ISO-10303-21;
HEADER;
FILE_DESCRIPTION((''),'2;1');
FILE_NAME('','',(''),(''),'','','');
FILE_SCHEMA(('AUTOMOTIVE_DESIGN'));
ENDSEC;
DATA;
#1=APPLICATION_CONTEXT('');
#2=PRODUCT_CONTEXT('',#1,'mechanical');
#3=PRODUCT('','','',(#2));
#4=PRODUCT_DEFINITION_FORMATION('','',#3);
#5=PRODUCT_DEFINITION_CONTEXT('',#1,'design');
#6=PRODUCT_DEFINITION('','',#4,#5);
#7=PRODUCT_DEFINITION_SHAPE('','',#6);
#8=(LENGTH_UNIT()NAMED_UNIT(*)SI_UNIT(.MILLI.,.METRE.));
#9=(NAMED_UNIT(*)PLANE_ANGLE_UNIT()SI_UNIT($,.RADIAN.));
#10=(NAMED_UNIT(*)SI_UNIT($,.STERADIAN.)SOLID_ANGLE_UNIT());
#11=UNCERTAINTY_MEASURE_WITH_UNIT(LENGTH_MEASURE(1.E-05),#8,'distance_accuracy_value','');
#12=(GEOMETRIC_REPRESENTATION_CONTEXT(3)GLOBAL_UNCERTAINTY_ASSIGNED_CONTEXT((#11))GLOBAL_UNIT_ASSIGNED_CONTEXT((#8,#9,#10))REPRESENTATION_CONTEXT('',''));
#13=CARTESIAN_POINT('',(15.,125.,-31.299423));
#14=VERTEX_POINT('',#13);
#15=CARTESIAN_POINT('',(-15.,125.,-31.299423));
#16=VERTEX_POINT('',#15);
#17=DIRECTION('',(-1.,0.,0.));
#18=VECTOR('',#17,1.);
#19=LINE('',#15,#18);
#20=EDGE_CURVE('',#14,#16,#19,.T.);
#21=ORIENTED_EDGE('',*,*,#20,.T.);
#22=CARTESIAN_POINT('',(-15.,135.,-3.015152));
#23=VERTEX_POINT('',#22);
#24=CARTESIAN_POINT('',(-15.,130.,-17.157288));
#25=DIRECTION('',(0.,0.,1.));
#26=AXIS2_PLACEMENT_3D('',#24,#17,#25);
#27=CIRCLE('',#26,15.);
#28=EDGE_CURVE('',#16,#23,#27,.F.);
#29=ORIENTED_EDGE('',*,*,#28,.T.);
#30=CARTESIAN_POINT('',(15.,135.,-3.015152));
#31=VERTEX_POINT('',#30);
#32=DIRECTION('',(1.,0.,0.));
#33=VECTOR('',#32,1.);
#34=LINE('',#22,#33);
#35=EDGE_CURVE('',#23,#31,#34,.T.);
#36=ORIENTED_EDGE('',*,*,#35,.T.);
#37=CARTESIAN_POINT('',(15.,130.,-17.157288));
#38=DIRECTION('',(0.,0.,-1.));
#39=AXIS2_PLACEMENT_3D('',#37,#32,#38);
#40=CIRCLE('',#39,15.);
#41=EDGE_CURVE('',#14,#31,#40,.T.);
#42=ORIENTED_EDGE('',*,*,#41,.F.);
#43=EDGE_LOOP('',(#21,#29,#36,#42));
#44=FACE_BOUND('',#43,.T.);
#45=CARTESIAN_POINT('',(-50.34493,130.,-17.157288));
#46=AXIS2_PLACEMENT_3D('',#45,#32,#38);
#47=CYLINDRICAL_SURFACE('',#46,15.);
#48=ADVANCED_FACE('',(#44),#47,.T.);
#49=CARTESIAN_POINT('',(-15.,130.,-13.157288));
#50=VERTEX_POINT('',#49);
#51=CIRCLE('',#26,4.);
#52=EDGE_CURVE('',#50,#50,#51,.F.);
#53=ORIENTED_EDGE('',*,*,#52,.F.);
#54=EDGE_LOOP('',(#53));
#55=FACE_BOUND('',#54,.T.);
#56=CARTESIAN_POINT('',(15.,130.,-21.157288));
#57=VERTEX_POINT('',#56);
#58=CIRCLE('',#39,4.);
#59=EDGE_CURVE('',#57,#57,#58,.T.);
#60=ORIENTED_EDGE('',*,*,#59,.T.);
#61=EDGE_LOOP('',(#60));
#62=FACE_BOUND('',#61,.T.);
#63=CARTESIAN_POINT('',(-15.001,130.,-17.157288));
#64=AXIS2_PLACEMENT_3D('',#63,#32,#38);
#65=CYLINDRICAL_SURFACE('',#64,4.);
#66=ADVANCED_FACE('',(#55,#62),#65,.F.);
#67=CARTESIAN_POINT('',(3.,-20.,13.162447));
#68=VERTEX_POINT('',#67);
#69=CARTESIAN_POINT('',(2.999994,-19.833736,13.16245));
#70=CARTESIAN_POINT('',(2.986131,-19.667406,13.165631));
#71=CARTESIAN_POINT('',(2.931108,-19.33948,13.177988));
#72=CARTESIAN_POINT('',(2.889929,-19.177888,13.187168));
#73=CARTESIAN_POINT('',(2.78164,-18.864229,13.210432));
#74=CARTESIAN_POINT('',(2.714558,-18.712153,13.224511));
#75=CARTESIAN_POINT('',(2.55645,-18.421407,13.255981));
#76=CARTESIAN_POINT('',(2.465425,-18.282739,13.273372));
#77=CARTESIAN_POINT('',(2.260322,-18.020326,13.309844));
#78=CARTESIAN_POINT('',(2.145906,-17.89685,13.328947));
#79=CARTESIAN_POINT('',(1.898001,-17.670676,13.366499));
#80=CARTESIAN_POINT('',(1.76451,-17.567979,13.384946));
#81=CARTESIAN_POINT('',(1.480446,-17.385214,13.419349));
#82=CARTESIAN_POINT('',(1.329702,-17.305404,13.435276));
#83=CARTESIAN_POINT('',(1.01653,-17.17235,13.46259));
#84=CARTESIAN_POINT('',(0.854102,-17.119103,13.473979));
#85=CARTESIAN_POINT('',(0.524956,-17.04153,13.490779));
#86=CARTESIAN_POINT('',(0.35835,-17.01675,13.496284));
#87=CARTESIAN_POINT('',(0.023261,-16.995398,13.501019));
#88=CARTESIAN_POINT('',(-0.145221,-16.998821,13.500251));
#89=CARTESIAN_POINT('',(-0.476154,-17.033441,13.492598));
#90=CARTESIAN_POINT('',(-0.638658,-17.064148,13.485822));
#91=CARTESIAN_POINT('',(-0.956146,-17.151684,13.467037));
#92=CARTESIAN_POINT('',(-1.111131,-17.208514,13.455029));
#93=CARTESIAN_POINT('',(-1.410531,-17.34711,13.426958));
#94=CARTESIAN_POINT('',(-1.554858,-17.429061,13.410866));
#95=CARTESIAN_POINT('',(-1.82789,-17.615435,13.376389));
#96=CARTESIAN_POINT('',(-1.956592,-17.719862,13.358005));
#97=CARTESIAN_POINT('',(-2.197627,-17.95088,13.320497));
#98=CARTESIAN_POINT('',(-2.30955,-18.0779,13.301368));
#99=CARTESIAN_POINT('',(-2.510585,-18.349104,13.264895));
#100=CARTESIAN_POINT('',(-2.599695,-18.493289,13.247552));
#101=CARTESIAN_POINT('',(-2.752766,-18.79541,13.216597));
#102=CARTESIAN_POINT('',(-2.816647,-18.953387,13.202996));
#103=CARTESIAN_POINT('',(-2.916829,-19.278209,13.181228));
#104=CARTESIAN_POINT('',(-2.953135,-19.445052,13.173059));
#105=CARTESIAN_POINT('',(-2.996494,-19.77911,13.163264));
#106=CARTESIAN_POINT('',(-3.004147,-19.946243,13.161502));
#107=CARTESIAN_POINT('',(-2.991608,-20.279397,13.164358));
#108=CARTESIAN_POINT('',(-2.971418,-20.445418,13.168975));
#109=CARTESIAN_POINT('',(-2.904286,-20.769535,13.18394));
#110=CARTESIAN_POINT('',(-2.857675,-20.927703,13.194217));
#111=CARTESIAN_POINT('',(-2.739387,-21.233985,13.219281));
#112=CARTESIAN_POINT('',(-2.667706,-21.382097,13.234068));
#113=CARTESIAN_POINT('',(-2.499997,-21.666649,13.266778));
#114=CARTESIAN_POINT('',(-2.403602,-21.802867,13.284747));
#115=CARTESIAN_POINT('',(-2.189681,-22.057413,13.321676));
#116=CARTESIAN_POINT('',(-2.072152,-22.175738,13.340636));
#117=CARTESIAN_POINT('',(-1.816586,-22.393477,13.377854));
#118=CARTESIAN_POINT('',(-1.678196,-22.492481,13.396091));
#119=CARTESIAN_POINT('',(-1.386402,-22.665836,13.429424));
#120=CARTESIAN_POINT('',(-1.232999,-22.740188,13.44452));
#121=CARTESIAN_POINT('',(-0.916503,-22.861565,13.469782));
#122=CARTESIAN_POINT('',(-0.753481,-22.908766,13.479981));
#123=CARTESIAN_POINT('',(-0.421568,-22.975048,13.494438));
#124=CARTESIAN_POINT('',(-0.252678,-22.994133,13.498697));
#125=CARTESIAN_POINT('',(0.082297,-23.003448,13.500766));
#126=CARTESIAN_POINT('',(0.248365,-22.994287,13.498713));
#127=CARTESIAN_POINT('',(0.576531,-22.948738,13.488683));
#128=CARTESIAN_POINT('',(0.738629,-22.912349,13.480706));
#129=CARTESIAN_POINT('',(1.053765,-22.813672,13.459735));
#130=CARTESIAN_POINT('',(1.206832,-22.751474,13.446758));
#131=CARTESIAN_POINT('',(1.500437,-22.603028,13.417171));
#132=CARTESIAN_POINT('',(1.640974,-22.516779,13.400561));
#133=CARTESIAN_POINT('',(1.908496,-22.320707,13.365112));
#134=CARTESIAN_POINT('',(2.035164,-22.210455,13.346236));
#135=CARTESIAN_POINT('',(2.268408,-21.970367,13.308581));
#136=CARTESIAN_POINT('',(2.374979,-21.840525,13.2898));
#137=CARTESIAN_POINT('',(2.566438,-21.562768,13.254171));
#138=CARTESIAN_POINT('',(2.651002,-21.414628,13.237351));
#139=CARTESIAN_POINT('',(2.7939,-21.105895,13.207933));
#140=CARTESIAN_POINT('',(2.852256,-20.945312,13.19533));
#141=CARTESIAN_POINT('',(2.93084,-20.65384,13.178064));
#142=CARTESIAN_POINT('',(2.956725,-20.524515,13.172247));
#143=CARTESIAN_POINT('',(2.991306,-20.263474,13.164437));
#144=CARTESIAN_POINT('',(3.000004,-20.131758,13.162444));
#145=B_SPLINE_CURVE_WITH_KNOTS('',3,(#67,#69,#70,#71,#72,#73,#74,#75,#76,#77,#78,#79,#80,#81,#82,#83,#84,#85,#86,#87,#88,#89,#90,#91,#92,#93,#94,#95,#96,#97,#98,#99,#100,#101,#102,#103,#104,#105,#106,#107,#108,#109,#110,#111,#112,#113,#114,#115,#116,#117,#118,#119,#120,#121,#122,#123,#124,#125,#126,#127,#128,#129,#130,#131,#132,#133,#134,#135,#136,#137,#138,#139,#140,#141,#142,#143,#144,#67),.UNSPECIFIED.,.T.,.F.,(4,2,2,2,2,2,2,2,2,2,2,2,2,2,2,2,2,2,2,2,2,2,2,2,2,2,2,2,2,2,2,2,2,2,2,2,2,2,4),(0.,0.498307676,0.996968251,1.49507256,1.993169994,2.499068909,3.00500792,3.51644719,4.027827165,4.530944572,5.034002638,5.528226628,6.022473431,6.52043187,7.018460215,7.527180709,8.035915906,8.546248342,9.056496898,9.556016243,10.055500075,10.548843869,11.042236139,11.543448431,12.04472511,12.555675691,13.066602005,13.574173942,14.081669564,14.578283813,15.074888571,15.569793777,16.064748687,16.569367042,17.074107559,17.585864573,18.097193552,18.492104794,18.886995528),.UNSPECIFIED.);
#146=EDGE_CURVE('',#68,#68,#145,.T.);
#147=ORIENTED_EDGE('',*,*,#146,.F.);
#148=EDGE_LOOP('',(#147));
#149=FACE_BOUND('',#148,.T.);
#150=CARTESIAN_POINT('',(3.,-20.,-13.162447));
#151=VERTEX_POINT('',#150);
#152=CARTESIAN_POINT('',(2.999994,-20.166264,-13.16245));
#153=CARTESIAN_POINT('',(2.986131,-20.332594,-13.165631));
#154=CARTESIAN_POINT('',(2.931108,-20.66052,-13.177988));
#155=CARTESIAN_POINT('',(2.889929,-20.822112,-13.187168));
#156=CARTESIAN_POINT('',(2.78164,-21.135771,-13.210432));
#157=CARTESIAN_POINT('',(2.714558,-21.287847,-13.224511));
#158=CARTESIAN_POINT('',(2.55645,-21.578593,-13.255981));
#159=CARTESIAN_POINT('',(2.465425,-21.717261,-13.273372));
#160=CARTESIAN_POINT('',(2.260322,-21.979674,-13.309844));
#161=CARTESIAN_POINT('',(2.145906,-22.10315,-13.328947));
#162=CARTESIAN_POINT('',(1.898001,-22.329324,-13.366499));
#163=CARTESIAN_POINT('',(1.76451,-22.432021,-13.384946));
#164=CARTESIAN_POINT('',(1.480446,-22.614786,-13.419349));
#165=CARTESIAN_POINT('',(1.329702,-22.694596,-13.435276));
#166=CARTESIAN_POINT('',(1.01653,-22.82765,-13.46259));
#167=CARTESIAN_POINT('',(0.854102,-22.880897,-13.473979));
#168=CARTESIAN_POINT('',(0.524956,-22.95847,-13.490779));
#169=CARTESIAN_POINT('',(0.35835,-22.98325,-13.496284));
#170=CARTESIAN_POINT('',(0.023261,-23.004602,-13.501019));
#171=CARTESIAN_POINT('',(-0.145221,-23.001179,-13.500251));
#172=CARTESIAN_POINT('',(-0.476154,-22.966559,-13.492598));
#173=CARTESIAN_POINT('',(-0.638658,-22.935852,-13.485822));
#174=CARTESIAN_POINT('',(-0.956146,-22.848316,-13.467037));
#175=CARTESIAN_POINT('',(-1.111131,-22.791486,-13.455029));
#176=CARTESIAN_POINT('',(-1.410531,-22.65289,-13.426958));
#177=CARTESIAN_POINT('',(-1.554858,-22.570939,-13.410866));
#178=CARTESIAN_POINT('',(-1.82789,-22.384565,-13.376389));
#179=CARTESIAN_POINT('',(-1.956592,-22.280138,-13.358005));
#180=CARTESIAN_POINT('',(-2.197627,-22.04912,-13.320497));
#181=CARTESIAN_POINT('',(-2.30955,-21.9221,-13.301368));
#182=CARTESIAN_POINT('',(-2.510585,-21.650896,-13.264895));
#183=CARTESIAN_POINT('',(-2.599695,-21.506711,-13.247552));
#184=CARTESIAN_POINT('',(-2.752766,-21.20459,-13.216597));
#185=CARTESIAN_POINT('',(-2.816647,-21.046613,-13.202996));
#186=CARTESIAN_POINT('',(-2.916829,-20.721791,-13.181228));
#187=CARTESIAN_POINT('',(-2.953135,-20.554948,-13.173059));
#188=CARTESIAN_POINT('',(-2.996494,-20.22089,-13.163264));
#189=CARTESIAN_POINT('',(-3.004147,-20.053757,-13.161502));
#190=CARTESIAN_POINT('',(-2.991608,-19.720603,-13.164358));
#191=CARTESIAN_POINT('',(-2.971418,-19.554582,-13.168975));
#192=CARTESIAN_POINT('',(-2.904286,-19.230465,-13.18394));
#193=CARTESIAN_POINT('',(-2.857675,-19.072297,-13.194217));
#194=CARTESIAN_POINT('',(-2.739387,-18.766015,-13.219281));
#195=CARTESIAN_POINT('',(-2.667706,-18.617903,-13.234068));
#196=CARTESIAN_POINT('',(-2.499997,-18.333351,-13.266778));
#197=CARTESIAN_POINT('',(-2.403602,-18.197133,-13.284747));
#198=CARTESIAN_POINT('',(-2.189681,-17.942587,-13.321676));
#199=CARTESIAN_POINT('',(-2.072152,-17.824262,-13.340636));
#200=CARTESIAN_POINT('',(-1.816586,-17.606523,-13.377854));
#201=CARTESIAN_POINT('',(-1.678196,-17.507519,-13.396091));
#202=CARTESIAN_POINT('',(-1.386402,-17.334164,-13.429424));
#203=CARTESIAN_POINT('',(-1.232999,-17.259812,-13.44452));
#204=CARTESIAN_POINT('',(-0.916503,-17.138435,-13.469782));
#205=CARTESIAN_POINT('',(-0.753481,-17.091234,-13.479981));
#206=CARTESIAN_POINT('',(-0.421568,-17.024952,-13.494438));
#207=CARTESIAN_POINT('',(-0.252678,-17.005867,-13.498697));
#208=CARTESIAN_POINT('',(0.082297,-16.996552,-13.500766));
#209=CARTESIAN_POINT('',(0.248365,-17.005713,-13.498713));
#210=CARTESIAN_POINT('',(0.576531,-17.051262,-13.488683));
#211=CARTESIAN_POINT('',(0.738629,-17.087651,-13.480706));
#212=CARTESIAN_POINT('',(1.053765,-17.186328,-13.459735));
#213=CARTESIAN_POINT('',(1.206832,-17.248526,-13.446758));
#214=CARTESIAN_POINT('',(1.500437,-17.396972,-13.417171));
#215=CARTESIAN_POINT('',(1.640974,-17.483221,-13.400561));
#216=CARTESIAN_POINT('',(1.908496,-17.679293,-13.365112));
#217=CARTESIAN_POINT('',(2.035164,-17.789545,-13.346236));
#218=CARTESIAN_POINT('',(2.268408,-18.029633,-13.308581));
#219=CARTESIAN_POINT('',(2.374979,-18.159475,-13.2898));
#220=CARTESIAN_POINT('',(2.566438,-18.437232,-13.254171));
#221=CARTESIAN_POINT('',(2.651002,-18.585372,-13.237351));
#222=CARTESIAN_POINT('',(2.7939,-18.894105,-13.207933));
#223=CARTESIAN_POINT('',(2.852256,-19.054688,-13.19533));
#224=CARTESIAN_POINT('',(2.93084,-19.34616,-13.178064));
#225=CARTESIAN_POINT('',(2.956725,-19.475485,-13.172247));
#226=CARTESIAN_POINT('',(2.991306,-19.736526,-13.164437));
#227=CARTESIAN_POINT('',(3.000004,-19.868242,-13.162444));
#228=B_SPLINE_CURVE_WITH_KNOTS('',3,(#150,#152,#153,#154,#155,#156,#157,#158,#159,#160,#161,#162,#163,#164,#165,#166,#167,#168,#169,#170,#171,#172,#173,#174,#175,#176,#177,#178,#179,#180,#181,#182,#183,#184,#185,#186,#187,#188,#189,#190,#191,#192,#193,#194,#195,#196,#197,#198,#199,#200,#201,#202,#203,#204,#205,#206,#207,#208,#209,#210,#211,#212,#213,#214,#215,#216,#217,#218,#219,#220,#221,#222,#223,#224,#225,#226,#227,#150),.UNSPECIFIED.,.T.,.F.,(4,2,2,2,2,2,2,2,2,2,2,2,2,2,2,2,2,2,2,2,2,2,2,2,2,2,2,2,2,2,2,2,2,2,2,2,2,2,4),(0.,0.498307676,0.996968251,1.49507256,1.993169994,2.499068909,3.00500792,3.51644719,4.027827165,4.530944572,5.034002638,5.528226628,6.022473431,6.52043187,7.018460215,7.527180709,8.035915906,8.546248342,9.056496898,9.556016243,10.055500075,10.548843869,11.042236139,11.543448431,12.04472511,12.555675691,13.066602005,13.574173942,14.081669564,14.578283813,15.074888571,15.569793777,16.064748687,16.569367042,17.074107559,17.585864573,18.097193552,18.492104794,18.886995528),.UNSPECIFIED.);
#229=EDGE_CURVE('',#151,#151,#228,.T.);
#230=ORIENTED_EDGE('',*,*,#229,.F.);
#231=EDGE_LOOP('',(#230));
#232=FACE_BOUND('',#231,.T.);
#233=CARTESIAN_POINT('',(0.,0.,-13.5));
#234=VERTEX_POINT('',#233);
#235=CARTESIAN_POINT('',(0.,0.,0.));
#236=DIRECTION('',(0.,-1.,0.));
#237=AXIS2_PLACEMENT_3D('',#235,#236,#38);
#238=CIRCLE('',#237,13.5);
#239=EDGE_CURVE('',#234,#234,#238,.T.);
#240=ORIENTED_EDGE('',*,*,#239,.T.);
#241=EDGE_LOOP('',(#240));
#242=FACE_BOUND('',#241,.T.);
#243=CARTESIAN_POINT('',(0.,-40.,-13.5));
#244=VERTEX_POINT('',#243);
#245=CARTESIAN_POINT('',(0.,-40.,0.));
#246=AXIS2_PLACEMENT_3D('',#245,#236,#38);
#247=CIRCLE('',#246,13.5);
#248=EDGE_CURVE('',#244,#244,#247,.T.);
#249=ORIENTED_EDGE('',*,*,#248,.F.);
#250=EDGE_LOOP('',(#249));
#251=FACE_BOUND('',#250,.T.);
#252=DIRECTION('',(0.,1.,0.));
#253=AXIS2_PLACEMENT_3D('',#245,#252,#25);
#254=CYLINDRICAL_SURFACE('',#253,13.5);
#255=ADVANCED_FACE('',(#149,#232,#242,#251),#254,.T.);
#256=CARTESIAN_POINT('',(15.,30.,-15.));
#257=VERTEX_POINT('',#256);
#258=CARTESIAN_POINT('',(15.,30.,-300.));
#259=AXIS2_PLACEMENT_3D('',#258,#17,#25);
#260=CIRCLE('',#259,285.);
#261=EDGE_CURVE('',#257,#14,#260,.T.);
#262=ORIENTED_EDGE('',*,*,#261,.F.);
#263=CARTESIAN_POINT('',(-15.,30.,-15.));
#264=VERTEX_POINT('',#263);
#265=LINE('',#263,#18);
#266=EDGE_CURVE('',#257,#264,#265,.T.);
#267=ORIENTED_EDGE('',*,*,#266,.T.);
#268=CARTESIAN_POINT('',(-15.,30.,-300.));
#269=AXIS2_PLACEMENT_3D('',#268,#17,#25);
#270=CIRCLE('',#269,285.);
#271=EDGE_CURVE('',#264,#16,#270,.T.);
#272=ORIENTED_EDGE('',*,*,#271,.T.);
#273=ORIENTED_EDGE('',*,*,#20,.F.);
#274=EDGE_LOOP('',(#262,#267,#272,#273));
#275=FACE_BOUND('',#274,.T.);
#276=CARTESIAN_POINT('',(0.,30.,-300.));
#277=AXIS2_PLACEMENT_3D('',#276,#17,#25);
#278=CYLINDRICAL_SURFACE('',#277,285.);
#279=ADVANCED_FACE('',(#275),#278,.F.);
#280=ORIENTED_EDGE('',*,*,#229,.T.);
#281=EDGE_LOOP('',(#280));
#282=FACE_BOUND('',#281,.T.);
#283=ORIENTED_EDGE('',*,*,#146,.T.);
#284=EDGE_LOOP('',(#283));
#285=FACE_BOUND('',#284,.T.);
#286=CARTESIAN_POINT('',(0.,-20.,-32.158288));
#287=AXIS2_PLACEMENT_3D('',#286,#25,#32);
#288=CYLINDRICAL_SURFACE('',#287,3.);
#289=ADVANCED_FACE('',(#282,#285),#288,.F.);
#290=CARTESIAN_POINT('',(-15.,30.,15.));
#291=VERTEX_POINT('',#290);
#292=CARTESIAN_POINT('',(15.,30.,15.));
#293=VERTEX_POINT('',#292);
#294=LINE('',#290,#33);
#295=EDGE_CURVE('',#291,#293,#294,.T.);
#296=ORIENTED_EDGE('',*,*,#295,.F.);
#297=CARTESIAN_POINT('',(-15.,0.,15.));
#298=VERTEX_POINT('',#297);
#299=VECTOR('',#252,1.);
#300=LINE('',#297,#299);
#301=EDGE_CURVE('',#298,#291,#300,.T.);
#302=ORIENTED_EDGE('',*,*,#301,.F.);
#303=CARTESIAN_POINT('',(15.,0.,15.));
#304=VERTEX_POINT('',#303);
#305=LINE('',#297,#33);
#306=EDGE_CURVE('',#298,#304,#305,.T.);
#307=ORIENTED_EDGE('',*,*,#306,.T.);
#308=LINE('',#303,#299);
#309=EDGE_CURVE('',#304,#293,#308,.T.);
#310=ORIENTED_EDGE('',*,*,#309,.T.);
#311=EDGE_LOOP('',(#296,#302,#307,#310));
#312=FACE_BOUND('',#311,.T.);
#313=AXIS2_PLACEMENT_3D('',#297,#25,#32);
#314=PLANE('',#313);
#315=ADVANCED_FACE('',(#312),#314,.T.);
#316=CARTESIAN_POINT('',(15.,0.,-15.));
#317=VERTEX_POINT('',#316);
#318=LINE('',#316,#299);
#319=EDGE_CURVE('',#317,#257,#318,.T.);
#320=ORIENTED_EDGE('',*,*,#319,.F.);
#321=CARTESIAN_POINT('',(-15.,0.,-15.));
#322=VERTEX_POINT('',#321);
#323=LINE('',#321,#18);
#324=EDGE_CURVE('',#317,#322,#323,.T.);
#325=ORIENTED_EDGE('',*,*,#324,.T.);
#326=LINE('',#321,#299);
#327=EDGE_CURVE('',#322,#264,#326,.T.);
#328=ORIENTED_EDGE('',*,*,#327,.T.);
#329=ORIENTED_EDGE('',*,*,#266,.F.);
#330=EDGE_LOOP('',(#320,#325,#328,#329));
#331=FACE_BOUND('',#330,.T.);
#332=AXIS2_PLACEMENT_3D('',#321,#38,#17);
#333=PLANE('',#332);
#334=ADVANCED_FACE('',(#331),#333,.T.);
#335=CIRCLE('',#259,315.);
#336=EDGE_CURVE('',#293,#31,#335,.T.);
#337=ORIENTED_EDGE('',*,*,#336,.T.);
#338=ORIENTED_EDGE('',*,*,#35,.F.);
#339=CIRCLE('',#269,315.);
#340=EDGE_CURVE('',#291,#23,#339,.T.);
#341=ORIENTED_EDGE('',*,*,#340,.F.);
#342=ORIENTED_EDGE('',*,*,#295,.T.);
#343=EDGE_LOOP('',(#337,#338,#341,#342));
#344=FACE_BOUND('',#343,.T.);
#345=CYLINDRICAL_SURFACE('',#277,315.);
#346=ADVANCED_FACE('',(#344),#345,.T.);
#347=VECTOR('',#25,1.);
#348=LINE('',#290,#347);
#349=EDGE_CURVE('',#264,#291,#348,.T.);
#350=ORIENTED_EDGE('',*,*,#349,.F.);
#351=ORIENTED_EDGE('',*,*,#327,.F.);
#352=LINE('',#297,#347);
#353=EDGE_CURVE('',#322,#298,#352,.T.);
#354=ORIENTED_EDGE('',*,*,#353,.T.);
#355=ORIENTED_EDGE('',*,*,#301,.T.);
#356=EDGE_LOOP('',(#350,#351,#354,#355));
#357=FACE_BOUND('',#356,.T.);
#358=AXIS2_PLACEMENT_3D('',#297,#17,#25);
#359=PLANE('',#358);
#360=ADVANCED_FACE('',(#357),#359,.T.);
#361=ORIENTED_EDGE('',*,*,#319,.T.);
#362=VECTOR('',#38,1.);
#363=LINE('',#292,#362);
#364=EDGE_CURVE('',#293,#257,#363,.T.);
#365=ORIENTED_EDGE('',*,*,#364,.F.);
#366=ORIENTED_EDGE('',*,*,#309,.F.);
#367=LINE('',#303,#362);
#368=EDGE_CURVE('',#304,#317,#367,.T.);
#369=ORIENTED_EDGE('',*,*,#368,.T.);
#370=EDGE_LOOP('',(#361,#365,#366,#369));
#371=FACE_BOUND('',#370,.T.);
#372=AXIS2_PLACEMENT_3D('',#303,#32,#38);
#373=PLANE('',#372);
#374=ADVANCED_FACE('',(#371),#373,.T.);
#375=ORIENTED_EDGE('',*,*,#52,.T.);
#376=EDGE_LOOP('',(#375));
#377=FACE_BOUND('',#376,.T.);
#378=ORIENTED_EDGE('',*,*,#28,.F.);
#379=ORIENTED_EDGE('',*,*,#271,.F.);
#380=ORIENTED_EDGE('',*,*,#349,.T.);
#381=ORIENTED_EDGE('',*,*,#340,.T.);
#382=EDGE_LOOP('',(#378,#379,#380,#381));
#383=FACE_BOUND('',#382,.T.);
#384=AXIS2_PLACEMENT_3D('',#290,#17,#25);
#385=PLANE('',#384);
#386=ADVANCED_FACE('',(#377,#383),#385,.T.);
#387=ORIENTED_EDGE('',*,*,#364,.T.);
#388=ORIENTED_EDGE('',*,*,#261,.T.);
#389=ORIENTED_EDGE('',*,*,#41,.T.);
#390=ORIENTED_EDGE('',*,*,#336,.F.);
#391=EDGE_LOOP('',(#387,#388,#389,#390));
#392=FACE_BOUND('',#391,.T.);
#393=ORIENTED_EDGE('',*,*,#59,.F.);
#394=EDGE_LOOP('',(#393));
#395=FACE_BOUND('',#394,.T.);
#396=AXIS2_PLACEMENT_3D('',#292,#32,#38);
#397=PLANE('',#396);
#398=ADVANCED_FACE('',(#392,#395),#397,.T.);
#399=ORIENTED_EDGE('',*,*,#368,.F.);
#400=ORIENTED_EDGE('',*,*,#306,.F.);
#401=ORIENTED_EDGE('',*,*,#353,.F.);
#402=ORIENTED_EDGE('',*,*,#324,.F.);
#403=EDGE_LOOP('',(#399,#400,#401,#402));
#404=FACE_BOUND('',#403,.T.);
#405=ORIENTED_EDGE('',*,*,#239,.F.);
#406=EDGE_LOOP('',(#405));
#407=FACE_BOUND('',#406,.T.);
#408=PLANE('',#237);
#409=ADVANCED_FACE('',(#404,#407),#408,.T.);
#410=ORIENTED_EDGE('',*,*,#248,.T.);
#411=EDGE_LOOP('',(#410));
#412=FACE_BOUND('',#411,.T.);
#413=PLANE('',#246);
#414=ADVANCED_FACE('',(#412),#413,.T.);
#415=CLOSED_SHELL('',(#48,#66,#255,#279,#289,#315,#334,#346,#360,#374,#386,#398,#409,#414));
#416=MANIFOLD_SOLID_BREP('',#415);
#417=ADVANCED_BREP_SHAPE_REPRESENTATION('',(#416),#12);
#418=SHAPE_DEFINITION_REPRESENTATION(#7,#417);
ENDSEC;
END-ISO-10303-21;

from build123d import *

# Parameters (mm, degrees)
SKETCH2_W           = 30
SKETCH2_H           = 30
SKETCH3_R           = 13.5
BOSS_EXTRUDE1_DEPTH = 40
BOSS_EXTRUDE2_DEPTH = 30
CUT_EXTRUDE1_REACH  = 153.523
SKETCH5_R           = 4
CUT_EXTRUDE2_REACH  = 155.212
SKETCH6_R           = 3


with BuildPart() as part:
    # Sweep1: sweep along a path in Sketch1
    with BuildLine(Plane(origin=(0, 0, 0), x_dir=(0, 0, -1), z_dir=(1, 0, 0))) as sweep1_path:
        Line((0, 0), (0, 30))
        ThreePointArc((0, 30), (4.320432104, 80.730593618), (17.157287525, 130))
    # Sketch2 → Sweep1 (sweep)
    with BuildSketch(Plane(origin=(0, 0, 0), x_dir=(1, 0, 0), z_dir=(0, 1, 0))):
        Rectangle(SKETCH2_W, SKETCH2_H)
    sweep(path=sweep1_path.line)

    # Sketch3 → Boss-Extrude1 (add)
    with BuildSketch(Plane.XZ):
        with Locations(Location((0, 0, 0), (0, 0, 270))):
            Circle(SKETCH3_R)
    extrude(amount=BOSS_EXTRUDE1_DEPTH)

    # Sketch4 → Boss-Extrude2 (add)
    with BuildSketch(Plane(origin=(15, 0, 0), x_dir=(0, 0, -1), z_dir=(1, 0, 0))):
        with BuildLine():
            Line((3.015151902, 135), (31.299423149, 125))
            ThreePointArc((31.299423149, 125), (22.157287525, 144.142135624), (3.015151902, 135))
        make_face()
    extrude(amount=-BOSS_EXTRUDE2_DEPTH)

    # Sketch5 → Cut-Extrude1 (cut, up to next)
    with BuildSketch(Plane(origin=(15, 0, 0), x_dir=(0, 0, -1), z_dir=(1, 0, 0)), mode=Mode.PRIVATE) as cut_extrude1_sk1:
        with Locations((17.157287525, 130)):
            Circle(SKETCH5_R)
    cut_extrude1_tool1 = extrude(cut_extrude1_sk1.sketch, amount=-CUT_EXTRUDE1_REACH, mode=Mode.PRIVATE) & part.part
    add(cut_extrude1_tool1.solids().sort_by_distance((15, 130, -17.157288))[0], mode=Mode.SUBTRACT)

    # Sketch6 → Cut-Extrude2 (cut, up to next)
    with BuildSketch(Plane.XY.offset(15), mode=Mode.PRIVATE) as cut_extrude2_sk1:
        with Locations((0, -20)):
            Circle(SKETCH6_R)
    cut_extrude2_tool1 = extrude(cut_extrude2_sk1.sketch, amount=-CUT_EXTRUDE2_REACH, mode=Mode.PRIVATE) & part.part
    add(cut_extrude2_tool1.solids().sort_by_distance((0, -20, 15))[0], mode=Mode.SUBTRACT)


solid = part.part
